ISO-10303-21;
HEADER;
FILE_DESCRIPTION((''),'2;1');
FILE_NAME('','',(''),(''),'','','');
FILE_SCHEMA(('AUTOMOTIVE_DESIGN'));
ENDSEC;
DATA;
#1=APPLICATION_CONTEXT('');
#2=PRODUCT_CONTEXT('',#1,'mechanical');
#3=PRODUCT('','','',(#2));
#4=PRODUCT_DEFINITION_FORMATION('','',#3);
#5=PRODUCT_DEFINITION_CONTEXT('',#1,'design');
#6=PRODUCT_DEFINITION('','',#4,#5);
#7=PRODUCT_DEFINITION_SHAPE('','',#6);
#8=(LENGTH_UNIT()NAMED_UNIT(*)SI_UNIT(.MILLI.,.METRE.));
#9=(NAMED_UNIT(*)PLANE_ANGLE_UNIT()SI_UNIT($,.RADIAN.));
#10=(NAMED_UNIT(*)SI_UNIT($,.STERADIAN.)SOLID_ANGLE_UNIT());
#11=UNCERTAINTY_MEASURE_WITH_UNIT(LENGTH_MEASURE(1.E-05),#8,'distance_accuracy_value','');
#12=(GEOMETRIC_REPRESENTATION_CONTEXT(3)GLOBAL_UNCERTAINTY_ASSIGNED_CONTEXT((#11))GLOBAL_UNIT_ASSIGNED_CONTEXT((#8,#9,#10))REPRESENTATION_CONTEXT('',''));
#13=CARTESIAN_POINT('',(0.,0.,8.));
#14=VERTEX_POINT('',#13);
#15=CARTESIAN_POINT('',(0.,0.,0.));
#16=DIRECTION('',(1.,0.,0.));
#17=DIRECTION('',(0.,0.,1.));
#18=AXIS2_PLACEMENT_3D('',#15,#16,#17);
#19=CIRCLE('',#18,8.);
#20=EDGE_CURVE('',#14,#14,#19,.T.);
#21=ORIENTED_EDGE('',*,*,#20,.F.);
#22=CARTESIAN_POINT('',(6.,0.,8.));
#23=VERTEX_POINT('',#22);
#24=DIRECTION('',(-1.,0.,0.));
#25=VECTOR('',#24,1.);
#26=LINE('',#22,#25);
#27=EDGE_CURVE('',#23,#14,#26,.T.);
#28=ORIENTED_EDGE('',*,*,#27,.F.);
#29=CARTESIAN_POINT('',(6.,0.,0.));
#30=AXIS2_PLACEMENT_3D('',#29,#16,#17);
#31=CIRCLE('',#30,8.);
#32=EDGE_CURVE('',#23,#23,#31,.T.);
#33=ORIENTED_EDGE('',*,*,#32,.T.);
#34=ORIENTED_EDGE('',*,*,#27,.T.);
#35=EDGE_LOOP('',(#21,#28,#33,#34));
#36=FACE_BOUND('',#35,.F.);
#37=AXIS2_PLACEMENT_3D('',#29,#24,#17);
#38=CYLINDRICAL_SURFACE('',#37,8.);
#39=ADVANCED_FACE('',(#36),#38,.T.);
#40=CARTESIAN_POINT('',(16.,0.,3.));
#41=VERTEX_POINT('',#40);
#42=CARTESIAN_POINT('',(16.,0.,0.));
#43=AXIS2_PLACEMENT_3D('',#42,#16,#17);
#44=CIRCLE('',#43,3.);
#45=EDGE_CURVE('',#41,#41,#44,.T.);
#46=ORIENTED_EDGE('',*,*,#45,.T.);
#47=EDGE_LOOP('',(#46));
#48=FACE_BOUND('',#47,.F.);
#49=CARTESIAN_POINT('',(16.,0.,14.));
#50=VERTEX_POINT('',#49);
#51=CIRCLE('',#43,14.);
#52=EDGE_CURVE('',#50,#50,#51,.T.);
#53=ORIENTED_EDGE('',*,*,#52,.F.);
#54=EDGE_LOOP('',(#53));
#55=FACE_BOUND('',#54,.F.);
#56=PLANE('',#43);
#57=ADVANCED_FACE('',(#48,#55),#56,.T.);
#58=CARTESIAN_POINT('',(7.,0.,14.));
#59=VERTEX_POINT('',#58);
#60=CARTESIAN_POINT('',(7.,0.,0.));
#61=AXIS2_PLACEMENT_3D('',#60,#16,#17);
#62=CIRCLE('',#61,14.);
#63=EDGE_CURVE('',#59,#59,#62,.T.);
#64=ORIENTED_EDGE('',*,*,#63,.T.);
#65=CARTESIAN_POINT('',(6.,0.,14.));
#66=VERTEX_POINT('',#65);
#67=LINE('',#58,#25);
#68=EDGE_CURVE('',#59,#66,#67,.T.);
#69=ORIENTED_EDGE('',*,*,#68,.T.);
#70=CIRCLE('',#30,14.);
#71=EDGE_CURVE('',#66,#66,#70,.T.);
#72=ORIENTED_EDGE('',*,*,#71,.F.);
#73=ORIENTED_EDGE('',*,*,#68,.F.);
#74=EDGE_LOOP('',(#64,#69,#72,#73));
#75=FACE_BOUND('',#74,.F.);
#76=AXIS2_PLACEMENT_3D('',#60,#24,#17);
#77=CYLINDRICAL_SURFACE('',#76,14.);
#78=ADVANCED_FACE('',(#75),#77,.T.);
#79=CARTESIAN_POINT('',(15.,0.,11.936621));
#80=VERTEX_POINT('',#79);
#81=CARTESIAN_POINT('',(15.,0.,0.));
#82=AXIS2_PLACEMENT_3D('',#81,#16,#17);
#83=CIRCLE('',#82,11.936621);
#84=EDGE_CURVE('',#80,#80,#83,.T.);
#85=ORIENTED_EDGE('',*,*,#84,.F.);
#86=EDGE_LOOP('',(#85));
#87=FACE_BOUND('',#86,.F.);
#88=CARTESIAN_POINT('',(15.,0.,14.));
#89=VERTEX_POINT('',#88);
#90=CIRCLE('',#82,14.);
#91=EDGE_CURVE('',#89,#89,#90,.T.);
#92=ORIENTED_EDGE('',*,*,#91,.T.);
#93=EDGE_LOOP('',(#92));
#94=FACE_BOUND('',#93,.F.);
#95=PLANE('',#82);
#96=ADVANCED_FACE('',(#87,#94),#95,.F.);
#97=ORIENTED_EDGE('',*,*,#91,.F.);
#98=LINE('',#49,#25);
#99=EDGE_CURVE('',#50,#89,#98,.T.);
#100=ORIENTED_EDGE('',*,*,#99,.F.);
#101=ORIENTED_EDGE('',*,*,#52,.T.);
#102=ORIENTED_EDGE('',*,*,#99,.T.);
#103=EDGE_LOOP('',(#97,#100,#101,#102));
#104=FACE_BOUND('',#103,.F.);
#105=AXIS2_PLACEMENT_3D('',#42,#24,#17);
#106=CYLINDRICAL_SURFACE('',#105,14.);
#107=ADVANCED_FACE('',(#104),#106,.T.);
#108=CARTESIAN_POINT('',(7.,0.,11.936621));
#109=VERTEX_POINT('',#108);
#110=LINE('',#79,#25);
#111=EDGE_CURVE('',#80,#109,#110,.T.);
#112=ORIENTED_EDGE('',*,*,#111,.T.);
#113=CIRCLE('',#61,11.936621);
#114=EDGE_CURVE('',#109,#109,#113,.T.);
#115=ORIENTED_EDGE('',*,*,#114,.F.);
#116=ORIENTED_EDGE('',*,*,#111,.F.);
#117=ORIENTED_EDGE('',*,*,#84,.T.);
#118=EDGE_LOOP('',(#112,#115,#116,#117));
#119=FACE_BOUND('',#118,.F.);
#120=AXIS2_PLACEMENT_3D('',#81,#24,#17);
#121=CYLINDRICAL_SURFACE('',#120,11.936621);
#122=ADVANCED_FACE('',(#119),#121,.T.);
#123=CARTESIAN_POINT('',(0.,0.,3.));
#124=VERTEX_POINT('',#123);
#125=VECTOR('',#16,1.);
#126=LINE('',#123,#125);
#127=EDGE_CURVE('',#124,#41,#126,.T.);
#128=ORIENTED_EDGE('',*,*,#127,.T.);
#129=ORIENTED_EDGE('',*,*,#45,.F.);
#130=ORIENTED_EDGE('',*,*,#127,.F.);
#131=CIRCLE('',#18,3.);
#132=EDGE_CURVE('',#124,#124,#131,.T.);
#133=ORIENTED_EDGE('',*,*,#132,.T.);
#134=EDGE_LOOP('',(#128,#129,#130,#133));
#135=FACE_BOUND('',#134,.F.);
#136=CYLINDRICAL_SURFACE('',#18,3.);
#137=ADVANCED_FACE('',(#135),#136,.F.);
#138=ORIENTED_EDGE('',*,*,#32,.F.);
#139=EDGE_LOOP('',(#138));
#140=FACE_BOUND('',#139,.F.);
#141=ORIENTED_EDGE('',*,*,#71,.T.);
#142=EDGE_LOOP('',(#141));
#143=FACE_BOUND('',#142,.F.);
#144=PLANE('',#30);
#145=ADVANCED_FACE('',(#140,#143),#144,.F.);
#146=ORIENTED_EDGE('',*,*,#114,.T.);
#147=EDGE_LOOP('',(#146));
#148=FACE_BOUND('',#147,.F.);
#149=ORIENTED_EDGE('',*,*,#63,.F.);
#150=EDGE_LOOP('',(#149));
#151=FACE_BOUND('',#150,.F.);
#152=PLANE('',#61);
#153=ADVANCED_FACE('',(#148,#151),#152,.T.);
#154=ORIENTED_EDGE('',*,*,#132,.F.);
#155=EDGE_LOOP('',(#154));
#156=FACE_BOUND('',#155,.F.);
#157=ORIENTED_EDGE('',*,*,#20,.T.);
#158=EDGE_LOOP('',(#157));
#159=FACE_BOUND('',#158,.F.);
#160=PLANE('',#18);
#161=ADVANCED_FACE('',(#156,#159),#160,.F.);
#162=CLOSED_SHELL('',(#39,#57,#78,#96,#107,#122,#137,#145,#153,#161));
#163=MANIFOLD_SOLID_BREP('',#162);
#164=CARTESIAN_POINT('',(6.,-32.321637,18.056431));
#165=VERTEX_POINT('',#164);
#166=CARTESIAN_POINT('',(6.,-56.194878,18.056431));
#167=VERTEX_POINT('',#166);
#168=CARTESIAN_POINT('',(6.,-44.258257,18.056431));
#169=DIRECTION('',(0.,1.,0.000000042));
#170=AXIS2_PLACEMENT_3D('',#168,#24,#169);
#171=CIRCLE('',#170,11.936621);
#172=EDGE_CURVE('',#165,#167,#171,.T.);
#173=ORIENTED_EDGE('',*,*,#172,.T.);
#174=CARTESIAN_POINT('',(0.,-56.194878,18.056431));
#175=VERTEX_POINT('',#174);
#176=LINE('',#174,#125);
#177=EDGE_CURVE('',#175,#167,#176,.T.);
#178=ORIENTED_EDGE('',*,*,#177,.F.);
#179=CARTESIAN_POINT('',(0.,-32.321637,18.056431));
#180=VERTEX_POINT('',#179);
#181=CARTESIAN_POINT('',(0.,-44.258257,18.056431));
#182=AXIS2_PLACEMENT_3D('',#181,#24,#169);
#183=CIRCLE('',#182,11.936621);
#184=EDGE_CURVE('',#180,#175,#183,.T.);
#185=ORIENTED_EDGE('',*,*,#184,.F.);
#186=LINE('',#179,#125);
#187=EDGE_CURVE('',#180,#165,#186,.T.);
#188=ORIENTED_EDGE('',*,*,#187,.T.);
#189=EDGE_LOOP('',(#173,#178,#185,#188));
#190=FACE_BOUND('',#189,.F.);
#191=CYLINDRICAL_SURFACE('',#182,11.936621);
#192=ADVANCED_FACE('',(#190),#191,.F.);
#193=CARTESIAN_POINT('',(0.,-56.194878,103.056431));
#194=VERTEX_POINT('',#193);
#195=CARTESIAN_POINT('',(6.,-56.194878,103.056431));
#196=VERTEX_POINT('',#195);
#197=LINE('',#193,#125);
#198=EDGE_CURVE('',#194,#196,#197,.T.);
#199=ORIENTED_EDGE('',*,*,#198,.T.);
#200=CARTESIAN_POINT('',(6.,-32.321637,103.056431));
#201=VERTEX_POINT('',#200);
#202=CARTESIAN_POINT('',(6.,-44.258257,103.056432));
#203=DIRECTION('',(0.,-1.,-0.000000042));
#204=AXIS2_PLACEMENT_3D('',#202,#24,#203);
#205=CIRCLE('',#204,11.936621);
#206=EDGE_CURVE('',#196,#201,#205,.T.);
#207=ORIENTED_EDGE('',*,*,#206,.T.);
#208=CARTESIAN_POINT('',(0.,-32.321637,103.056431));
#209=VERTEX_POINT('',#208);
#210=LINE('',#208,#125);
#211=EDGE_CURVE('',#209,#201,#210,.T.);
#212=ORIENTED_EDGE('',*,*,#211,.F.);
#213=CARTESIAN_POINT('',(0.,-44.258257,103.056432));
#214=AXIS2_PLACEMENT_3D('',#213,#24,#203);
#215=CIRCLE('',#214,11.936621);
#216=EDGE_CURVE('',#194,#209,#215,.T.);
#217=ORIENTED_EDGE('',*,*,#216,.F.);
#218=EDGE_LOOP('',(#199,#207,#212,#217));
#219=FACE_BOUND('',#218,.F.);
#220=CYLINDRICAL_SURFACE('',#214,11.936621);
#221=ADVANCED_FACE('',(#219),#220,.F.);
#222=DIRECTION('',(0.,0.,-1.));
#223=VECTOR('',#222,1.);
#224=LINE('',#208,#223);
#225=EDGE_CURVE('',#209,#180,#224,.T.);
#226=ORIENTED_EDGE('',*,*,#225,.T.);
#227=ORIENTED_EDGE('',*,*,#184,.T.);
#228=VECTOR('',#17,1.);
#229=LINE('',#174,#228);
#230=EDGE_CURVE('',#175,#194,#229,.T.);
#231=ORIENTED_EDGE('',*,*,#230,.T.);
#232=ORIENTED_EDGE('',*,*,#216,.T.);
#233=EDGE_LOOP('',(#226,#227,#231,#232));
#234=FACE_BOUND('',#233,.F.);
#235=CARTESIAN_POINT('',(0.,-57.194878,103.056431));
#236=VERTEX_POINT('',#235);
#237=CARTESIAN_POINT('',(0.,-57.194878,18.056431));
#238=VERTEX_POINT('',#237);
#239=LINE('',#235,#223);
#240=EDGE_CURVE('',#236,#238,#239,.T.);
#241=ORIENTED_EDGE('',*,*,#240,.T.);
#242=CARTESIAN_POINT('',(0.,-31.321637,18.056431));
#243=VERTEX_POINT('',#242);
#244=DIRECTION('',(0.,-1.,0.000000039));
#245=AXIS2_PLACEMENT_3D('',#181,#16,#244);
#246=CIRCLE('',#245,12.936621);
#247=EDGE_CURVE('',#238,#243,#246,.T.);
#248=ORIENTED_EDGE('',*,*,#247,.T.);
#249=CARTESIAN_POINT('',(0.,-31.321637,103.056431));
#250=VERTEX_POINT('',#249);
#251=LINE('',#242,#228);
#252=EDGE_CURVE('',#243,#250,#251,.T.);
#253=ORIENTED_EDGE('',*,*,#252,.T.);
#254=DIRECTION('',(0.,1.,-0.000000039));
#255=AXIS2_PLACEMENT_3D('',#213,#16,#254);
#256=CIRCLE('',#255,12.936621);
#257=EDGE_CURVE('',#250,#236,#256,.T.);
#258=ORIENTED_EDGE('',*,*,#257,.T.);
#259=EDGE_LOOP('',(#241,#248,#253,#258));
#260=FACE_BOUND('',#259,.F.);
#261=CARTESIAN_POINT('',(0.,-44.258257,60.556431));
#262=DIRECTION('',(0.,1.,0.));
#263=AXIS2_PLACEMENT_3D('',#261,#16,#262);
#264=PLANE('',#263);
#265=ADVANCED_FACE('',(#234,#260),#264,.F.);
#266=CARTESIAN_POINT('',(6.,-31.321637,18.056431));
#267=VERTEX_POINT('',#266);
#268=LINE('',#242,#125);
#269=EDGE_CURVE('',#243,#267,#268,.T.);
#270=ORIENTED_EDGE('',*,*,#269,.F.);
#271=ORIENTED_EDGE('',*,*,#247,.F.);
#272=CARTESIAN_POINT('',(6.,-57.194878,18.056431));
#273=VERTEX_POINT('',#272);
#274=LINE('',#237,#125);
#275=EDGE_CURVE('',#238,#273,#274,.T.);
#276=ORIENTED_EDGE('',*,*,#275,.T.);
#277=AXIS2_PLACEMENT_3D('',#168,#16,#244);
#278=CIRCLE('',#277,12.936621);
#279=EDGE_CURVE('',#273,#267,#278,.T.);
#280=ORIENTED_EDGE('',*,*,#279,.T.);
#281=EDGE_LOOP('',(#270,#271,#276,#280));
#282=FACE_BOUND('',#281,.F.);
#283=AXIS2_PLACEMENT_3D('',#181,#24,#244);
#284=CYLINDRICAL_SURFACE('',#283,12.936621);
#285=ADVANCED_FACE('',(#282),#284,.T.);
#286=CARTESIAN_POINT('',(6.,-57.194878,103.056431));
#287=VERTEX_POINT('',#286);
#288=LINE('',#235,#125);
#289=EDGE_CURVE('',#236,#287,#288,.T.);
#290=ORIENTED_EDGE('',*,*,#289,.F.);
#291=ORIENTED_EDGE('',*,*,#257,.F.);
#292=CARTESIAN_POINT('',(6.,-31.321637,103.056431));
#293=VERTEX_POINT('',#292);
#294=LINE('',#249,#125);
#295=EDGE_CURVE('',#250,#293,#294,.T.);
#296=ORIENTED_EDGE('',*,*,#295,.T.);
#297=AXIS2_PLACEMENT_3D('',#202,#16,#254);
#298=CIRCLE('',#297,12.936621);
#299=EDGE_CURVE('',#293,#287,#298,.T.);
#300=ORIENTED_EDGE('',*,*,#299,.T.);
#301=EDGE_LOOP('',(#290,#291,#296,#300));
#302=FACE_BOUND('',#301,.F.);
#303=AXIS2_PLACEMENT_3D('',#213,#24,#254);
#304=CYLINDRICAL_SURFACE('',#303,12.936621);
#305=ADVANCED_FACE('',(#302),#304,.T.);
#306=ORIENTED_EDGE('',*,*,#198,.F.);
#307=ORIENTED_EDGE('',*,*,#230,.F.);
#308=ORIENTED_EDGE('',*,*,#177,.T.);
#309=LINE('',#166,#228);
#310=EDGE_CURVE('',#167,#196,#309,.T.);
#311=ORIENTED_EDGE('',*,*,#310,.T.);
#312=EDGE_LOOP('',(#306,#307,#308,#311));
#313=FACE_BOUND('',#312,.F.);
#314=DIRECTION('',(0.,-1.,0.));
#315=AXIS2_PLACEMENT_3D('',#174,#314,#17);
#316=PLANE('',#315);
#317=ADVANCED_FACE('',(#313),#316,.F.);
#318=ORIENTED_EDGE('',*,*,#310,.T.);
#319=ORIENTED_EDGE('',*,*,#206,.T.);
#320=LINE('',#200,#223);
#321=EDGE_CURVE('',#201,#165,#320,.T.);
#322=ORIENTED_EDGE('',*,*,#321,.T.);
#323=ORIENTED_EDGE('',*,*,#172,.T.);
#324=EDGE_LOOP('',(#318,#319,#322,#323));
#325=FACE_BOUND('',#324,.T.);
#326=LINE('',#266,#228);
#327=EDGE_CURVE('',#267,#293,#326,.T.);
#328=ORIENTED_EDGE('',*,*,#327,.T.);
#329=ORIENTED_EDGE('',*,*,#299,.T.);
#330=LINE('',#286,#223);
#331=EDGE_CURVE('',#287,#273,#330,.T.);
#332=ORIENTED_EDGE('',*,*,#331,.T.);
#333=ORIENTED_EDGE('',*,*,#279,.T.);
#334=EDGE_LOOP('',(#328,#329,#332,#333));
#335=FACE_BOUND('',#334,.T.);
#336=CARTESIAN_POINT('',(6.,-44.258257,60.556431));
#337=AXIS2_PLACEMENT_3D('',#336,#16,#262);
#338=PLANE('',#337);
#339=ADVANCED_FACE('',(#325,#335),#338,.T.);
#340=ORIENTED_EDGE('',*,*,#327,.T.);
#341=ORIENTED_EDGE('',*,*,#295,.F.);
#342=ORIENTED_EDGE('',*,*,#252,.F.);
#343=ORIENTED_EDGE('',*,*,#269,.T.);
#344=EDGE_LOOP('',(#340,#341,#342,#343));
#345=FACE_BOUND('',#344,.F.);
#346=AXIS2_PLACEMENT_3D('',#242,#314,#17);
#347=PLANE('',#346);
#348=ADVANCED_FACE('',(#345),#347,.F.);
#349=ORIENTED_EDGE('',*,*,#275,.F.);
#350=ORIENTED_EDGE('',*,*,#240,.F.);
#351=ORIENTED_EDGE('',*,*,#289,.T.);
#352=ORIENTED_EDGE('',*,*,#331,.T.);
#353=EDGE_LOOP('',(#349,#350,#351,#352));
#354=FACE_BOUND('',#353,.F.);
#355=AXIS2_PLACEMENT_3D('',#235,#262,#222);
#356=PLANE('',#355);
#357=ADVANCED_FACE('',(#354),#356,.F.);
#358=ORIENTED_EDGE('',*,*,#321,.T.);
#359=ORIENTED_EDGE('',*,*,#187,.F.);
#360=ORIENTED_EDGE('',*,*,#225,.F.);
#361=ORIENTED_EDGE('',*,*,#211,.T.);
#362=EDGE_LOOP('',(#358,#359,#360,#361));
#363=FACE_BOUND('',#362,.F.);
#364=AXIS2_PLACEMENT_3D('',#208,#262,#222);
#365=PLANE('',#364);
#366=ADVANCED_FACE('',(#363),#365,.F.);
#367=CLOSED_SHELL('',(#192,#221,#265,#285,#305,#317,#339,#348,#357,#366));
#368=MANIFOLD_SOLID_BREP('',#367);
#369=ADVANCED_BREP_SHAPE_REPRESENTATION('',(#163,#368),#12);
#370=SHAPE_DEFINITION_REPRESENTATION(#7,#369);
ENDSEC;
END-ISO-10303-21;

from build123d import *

# Parameters (mm, degrees)
F3_DEPTH = 6


with BuildPart() as f1:
    # F0 (on Front) → F1 (revolve)
    with BuildSketch(Plane.XZ):
        Polygon((0, 8), (0, 3), (16, 3), (16, 11.936621), (16, 14), (15, 14), (15, 11.936621), (7, 11.936621), (7, 14), (6, 14), (6, 11.936621), (6, 8), align=None)
    revolve(axis=Axis((7.60479, 0, 0), (1, 0, 0)))


with BuildPart() as f3:
    # F2 (on Right) → F3 (new body)
    with BuildSketch(Plane.YZ):
        with BuildLine():
            Line((-31.321637, 18.056431), (-31.321637, 103.056431))
            ThreePointArc((-31.321637, 103.056431), (-44.258257, 115.993052), (-57.194878, 103.056431))
            Line((-57.194878, 103.056431), (-57.194878, 18.056431))
            ThreePointArc((-57.194878, 18.056431), (-44.258257, 5.11981), (-31.321637, 18.056431))
        make_face()
        with BuildLine():
            ThreePointArc((-32.321637, 18.056431), (-44.258257, 6.11981), (-56.194878, 18.056431))
            Line((-56.194878, 18.056431), (-56.194878, 103.056431))
            ThreePointArc((-56.194878, 103.056431), (-44.258257, 114.993052), (-32.321637, 103.056431))
            Line((-32.321637, 103.056431), (-32.321637, 18.056431))
        make_face(mode=Mode.SUBTRACT)
    extrude(amount=F3_DEPTH)


solid = Compound([f1.part, f3.part])
